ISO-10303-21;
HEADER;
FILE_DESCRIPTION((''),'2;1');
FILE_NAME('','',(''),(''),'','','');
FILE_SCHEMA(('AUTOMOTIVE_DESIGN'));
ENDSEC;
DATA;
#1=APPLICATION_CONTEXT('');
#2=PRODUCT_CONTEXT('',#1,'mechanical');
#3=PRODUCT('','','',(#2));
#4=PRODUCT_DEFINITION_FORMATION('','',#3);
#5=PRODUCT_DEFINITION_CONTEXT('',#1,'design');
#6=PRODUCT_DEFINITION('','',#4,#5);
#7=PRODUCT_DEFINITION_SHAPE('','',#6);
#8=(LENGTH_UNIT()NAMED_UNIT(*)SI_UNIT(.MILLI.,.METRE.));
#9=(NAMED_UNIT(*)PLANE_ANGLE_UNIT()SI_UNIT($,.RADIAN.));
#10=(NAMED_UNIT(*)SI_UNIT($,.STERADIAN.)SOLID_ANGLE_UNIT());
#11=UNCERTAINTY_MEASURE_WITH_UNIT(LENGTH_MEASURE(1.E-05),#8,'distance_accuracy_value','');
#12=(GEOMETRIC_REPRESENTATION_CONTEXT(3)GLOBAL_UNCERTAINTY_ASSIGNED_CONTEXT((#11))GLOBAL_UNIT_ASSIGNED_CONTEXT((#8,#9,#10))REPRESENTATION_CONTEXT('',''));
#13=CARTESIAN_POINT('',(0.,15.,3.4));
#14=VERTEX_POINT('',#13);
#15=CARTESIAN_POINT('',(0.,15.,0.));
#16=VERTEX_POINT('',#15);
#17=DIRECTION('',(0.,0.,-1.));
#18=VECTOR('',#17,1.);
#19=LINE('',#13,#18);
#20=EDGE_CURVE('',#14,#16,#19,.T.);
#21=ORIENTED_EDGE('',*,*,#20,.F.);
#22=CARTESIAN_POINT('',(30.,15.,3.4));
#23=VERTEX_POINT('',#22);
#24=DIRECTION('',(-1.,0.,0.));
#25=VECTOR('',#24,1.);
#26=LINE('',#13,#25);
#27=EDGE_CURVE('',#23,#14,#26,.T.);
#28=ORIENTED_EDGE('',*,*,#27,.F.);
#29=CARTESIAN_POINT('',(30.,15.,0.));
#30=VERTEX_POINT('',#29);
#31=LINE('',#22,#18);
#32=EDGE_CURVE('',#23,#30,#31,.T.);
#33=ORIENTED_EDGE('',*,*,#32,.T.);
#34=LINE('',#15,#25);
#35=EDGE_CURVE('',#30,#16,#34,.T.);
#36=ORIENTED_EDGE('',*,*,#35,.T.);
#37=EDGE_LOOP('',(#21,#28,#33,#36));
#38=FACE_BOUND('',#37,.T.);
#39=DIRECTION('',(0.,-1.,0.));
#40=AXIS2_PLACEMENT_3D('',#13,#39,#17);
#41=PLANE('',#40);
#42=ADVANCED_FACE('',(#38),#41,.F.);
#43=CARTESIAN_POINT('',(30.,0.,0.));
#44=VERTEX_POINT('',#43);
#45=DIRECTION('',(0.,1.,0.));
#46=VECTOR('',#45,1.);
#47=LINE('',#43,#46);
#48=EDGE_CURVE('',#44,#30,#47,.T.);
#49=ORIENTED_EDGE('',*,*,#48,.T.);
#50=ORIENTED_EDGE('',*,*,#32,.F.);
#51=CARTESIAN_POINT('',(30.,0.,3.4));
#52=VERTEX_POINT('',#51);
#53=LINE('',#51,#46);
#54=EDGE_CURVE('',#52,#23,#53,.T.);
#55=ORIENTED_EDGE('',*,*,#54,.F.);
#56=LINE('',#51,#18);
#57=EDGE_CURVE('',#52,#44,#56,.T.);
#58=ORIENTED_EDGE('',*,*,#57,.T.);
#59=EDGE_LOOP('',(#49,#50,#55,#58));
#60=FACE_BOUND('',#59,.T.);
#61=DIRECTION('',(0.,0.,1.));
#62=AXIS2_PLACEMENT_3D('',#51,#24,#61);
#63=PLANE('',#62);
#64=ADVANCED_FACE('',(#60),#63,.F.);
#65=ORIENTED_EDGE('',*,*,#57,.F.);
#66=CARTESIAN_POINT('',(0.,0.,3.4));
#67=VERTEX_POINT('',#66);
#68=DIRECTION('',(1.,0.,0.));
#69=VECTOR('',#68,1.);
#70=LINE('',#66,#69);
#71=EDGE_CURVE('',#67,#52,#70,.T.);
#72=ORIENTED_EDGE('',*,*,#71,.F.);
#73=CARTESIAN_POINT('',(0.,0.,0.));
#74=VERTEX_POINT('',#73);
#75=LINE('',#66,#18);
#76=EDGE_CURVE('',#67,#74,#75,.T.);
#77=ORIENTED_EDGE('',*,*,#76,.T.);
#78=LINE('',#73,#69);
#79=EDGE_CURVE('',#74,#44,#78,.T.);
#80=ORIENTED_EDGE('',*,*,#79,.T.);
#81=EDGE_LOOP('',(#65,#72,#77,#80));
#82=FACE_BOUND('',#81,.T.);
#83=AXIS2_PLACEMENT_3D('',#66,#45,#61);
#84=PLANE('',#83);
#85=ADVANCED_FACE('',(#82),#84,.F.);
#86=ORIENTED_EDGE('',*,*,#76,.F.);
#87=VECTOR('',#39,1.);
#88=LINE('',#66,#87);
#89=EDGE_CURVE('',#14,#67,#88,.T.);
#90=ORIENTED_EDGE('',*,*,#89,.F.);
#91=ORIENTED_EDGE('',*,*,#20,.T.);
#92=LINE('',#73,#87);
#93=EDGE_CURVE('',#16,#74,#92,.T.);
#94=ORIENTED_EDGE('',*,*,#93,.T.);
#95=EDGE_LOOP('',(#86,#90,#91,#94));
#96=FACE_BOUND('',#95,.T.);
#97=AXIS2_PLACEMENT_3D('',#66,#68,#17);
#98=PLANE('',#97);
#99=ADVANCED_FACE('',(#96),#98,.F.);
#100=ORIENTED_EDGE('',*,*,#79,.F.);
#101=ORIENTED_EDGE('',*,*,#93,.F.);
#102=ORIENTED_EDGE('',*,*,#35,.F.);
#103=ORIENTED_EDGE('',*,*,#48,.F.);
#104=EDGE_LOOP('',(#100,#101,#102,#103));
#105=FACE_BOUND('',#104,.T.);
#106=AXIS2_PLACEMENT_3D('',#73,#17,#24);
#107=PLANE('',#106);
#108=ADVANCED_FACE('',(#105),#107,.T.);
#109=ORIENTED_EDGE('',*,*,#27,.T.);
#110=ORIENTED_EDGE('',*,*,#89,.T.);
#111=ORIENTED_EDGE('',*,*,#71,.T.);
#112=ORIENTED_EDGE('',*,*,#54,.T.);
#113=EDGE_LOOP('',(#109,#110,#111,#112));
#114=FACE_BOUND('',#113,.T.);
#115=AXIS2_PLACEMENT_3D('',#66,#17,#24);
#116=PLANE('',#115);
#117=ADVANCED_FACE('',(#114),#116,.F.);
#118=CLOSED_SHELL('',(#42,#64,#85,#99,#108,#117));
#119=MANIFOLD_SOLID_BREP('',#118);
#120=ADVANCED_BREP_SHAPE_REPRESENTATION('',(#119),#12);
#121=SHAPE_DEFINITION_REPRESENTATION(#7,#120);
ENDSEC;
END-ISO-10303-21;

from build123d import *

# Parameters (mm, degrees)
SKETCH_1_W      = 30
SKETCH_1_H      = 15
EXTRUDE_1_DEPTH = 3.4


with BuildPart() as part:
    # ｽｹｯﾁ1 → ﾎﾞｽ - 押し出し1 (new body)
    with BuildSketch(Plane.XY):
        with Locations((15, 7.5)):
            Rectangle(SKETCH_1_W, SKETCH_1_H)
    extrude(amount=EXTRUDE_1_DEPTH)


solid = part.part
